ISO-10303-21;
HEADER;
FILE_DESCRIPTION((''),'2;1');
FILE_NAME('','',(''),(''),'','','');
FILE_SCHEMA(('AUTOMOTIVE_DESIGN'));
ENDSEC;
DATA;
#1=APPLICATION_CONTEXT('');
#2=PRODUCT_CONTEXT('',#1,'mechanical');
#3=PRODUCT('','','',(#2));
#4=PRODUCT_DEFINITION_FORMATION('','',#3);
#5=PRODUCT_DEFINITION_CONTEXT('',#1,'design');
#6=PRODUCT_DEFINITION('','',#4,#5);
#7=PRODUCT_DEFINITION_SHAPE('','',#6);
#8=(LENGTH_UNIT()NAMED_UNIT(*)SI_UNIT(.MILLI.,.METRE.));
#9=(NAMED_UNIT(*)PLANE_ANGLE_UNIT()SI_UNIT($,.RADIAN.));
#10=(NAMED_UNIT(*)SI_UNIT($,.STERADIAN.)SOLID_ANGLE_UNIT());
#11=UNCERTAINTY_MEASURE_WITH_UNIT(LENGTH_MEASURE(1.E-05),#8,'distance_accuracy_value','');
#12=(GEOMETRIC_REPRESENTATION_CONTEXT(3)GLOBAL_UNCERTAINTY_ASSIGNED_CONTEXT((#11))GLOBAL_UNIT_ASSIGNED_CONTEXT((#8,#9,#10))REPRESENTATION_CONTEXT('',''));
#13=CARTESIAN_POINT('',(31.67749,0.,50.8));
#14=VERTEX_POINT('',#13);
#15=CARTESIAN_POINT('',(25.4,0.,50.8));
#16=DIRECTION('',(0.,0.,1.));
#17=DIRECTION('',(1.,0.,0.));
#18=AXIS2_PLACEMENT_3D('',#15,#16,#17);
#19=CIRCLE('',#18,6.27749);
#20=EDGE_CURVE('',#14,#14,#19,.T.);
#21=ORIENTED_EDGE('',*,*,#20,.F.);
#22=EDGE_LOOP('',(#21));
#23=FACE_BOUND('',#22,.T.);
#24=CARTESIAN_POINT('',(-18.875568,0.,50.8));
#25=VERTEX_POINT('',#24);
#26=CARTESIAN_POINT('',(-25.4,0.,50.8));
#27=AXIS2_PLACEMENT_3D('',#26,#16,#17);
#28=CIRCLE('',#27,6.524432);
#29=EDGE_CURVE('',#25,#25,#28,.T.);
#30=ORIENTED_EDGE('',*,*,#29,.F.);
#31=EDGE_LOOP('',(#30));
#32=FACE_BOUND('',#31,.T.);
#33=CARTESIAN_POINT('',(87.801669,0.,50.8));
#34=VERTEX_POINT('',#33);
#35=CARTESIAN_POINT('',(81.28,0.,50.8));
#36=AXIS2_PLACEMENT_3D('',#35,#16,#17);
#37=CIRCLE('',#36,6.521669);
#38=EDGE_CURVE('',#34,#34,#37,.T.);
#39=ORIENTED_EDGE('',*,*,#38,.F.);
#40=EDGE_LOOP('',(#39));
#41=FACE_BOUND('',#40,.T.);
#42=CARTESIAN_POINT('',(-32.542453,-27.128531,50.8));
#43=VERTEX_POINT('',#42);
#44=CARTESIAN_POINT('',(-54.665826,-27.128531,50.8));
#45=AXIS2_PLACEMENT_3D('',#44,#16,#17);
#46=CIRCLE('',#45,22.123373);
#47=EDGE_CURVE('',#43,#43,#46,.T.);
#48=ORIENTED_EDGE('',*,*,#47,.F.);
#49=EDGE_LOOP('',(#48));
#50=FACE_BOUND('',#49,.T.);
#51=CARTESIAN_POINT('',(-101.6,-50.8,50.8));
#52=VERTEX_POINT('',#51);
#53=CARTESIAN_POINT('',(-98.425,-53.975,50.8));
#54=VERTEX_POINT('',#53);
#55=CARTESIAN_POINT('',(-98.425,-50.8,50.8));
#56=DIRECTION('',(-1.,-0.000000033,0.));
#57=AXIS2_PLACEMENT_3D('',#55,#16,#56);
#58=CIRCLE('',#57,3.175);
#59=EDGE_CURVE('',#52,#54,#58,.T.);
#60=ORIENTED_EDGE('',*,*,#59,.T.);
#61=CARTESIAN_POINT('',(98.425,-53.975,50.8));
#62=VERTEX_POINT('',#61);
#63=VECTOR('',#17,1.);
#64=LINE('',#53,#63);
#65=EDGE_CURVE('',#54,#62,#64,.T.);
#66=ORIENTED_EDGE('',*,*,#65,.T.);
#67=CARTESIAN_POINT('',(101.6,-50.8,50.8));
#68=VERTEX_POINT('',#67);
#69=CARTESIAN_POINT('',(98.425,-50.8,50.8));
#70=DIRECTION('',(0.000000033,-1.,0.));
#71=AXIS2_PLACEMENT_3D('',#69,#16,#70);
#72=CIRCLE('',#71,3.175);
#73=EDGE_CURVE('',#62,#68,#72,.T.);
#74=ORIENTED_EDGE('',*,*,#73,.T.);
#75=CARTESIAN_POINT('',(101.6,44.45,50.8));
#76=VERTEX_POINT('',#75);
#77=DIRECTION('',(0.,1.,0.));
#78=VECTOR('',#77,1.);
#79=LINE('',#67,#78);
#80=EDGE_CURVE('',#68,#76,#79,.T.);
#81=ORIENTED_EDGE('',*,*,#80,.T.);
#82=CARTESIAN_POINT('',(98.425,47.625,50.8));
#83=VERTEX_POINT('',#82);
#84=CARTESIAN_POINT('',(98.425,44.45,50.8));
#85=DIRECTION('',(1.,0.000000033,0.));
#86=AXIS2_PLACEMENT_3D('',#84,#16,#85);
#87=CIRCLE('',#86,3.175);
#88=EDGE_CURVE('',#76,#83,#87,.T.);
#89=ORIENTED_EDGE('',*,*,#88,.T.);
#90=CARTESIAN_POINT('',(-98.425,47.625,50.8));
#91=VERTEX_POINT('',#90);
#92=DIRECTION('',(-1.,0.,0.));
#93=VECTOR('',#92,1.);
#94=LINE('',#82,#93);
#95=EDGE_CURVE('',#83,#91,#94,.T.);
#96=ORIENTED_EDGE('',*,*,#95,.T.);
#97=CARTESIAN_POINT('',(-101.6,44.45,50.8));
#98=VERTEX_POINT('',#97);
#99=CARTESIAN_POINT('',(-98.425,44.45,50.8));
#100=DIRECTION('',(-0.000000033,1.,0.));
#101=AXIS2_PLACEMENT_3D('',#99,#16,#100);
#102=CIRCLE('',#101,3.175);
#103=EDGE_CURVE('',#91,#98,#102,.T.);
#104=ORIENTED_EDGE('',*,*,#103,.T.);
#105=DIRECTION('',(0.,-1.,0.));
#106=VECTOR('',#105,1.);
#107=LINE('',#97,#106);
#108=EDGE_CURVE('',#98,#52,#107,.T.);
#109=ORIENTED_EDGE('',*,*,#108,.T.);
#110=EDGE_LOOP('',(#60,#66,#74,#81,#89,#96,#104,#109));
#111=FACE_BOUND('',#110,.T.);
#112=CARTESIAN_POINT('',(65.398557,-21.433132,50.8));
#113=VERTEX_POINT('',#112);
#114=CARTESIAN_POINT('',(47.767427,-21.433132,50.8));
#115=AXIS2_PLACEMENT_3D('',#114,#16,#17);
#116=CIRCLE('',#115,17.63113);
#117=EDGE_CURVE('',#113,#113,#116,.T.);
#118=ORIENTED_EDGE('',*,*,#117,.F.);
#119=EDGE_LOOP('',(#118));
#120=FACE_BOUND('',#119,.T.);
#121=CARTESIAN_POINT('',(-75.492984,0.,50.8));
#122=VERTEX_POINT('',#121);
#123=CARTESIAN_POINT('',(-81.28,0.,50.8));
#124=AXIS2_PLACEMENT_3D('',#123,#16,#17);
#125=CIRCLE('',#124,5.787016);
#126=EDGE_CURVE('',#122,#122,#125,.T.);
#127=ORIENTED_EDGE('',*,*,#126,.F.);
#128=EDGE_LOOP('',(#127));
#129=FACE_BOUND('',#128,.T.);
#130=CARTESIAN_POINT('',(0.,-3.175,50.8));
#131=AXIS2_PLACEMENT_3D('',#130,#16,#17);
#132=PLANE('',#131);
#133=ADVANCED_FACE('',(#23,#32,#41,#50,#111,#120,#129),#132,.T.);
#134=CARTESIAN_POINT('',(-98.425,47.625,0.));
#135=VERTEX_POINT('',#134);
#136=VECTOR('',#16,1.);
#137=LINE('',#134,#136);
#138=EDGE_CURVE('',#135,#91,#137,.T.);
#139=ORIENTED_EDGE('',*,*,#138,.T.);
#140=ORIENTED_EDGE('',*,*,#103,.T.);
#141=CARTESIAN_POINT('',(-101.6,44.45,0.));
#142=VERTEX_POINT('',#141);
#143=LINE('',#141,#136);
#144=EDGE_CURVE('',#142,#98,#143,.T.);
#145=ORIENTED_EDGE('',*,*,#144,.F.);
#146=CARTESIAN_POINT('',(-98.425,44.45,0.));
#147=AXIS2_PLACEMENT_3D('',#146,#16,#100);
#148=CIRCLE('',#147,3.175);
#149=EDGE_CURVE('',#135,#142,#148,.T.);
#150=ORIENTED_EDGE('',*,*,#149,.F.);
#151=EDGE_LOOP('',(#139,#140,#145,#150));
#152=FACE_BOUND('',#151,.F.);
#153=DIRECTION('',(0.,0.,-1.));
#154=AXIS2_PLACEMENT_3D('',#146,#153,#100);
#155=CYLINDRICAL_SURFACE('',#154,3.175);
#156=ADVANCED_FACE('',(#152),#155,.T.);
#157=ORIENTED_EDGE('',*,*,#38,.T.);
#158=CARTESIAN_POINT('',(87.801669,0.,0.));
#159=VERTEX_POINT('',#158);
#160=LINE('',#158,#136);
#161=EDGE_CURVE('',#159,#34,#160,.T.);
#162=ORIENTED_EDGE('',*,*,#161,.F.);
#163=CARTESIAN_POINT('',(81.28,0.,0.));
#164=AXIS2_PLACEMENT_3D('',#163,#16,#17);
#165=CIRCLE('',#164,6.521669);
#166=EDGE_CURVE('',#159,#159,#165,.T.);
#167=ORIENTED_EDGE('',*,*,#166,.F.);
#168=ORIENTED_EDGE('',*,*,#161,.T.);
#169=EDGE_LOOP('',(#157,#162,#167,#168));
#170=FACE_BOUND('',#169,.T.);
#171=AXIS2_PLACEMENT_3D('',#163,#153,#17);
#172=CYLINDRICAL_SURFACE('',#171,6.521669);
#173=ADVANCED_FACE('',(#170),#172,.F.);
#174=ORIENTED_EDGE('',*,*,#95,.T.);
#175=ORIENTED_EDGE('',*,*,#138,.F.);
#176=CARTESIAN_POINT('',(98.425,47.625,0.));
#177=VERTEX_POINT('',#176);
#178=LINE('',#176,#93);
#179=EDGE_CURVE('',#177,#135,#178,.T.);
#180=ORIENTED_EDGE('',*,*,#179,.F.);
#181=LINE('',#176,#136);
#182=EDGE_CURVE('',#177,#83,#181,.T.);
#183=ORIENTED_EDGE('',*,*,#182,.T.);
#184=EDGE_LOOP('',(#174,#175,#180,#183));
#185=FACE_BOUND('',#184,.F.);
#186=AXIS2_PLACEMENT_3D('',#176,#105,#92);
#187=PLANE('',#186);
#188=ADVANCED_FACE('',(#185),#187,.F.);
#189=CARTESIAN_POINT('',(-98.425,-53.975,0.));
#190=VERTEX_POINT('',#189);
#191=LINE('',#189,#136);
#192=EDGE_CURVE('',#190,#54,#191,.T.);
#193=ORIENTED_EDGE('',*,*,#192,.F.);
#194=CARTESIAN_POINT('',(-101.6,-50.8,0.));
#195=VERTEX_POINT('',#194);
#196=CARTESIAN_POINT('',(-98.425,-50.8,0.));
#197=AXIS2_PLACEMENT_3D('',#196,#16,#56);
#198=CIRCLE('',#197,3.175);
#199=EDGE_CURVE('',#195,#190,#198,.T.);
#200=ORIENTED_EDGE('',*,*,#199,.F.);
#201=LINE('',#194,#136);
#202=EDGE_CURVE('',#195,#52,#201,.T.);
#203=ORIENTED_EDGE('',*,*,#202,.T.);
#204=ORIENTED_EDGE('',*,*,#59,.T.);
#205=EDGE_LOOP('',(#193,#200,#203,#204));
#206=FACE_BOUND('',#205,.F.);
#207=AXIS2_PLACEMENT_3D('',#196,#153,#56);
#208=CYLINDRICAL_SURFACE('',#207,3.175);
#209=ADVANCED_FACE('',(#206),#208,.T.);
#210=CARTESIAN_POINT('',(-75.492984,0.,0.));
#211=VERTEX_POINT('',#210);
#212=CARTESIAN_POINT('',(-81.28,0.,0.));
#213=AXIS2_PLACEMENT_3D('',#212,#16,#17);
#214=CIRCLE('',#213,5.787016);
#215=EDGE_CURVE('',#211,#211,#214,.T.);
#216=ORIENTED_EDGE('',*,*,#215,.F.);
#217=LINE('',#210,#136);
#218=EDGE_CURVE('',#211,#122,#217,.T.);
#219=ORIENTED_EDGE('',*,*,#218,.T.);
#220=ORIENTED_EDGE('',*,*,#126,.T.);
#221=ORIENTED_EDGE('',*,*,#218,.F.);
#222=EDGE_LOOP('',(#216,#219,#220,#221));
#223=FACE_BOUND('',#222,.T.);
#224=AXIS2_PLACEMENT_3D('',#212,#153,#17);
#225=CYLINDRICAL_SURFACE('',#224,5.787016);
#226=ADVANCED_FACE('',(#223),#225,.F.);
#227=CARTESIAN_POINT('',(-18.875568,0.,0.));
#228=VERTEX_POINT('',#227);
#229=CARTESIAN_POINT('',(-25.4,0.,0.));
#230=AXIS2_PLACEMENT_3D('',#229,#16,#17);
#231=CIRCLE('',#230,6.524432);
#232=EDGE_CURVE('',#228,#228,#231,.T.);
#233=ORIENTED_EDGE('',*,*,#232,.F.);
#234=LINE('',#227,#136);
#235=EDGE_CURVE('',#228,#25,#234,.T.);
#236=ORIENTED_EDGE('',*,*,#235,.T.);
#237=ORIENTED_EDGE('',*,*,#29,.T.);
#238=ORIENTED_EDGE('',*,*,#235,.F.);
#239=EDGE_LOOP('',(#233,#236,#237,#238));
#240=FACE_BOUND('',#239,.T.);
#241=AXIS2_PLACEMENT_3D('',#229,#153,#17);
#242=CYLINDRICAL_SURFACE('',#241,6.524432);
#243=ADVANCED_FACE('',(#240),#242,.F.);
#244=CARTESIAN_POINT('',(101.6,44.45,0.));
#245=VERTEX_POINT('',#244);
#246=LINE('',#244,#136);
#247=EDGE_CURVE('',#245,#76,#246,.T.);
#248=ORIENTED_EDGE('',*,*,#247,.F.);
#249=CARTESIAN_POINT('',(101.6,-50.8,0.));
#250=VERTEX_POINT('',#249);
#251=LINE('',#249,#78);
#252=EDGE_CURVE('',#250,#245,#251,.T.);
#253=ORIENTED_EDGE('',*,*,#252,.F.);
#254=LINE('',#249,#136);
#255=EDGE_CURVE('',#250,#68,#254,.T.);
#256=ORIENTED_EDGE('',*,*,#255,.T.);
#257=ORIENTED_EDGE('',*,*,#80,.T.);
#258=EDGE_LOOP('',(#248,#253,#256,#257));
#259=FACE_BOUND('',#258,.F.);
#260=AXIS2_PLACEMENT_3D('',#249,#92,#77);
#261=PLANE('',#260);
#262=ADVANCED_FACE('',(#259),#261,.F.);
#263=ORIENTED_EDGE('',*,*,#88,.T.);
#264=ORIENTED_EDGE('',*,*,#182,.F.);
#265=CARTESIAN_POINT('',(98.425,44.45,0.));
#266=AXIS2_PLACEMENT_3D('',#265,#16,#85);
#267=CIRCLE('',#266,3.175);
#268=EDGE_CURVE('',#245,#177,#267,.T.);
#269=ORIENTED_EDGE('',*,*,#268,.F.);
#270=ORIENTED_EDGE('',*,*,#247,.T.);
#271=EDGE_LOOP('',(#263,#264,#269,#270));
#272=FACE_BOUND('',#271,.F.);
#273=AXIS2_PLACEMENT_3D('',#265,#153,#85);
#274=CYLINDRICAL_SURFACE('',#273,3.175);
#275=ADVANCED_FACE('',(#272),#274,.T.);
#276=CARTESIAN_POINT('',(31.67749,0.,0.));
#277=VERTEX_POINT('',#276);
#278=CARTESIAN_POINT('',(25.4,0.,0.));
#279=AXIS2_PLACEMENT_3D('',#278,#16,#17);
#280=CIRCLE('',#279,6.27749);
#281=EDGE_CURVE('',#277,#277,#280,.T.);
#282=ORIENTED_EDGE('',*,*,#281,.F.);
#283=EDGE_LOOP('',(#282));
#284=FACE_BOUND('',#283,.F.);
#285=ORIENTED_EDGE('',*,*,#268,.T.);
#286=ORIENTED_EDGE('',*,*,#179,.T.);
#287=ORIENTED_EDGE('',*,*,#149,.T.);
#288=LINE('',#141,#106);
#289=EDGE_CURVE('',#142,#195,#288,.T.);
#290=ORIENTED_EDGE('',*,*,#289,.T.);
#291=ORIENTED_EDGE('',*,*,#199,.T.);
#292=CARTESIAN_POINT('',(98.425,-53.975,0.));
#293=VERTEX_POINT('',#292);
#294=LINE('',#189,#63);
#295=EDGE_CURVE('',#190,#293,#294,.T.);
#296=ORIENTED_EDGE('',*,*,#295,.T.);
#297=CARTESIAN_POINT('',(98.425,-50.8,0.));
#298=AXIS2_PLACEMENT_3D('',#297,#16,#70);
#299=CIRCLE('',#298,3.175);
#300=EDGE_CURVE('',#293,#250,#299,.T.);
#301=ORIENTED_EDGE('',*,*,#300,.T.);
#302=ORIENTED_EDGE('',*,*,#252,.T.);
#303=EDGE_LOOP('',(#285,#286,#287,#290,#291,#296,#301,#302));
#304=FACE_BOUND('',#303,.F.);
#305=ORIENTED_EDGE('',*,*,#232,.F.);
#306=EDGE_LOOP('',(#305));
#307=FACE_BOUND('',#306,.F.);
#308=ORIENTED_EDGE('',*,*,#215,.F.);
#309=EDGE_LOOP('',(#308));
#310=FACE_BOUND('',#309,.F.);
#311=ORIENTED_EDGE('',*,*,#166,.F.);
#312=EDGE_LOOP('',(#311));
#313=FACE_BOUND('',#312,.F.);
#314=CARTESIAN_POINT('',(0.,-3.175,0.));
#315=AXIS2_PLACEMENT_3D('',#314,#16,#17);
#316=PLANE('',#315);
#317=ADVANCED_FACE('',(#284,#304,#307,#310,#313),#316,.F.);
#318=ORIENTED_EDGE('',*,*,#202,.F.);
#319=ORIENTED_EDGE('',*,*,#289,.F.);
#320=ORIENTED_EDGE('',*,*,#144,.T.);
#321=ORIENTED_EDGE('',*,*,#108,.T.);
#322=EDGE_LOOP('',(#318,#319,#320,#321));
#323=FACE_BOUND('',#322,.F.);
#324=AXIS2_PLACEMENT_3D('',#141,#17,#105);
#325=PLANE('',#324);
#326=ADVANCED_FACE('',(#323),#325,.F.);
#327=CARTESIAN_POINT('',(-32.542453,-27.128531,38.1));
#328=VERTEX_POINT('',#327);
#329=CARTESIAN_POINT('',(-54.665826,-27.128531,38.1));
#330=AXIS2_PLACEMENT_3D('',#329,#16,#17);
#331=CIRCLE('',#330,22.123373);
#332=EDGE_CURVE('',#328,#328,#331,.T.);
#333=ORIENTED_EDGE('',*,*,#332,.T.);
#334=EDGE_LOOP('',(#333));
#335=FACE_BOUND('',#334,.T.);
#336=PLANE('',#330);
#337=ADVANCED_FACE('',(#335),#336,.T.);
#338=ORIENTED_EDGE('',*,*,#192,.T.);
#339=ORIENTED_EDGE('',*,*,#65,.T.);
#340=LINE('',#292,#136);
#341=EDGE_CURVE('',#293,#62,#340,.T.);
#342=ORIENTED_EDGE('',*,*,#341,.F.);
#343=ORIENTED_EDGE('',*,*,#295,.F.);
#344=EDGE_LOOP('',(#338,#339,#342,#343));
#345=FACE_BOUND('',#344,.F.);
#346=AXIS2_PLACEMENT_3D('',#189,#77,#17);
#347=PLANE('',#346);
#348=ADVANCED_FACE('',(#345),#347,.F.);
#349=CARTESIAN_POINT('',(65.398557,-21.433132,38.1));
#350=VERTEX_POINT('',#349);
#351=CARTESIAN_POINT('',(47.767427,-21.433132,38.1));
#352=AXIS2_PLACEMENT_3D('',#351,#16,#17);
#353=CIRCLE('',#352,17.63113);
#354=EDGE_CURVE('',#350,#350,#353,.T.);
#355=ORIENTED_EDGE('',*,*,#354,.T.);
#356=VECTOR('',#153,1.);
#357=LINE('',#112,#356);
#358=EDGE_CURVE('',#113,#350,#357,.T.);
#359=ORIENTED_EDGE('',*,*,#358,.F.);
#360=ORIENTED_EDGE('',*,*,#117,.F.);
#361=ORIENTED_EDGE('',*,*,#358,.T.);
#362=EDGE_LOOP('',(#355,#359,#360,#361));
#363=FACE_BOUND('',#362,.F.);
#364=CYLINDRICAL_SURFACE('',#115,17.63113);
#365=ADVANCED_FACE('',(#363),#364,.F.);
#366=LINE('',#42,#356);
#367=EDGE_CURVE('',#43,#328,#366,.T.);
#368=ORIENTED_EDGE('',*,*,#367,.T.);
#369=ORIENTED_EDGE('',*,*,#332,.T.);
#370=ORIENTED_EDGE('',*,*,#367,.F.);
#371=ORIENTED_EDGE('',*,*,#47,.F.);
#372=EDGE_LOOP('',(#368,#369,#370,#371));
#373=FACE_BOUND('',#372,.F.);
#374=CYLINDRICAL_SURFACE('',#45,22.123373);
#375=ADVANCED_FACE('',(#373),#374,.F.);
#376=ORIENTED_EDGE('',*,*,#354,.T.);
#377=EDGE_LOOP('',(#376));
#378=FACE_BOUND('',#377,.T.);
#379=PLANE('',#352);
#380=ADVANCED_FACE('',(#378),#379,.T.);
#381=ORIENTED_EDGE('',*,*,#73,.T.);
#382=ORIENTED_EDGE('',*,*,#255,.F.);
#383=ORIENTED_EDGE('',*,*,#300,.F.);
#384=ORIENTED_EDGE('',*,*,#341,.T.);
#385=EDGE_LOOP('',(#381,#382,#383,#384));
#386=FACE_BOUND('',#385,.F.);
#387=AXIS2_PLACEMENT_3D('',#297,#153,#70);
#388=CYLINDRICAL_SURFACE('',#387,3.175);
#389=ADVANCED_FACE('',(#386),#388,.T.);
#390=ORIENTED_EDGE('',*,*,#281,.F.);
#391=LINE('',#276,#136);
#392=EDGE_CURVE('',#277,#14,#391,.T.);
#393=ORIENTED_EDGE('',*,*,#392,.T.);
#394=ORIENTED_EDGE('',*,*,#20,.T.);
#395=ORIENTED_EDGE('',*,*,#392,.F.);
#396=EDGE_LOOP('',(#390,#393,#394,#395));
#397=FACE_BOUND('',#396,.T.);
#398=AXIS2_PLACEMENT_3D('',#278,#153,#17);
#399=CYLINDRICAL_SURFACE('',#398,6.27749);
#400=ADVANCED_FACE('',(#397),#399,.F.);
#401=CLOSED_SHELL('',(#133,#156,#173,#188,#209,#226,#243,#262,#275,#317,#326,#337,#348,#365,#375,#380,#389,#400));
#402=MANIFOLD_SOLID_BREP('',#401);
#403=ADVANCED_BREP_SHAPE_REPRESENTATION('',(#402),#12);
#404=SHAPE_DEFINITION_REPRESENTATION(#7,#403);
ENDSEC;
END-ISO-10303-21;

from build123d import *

# Parameters (mm, degrees)
F0_R     = 5.787016
F0_R_2   = 6.524432
F0_R_3   = 6.27749
F0_R_4   = 6.521669
F1_DEPTH = 50.8
F2_R     = 22.123373
F2_R_2   = 17.63113
F3_DEPTH = 12.7


with BuildPart() as f1:
    # F0 (on Top) → F1 (new body)
    with BuildSketch(Plane.XY):
        with BuildLine():
            ThreePointArc((-101.6, -50.8), (-100.670064, -53.045064), (-98.425, -53.975))
            Line((-98.425, -53.975), (98.425, -53.975))
            ThreePointArc((98.425, -53.975), (100.670064, -53.045064), (101.6, -50.8))
            Line((101.6, -50.8), (101.6, 44.45))
            ThreePointArc((101.6, 44.45), (100.670064, 46.695064), (98.425, 47.625))
            Line((98.425, 47.625), (-98.425, 47.625))
            ThreePointArc((-98.425, 47.625), (-100.670064, 46.695064), (-101.6, 44.45))
            Line((-101.6, 44.45), (-101.6, -50.8))
        make_face()
        with Locations((-81.28, 0)):
            Circle(F0_R, mode=Mode.SUBTRACT)
        with Locations((-25.4, 0)):
            Circle(F0_R_2, mode=Mode.SUBTRACT)
        with Locations((25.4, 0)):
            Circle(F0_R_3, mode=Mode.SUBTRACT)
        with Locations((81.28, 0)):
            Circle(F0_R_4, mode=Mode.SUBTRACT)
    extrude(amount=F1_DEPTH)

    # F2 (on face) → F3 (cut)
    with BuildSketch(Plane.XY.offset(50.8)):
        with Locations((-54.665826, -27.128531)):
            Circle(F2_R)
        with Locations((47.767427, -21.433132)):
            Circle(F2_R_2)
    extrude(amount=-F3_DEPTH, mode=Mode.SUBTRACT)


solid = f1.part
